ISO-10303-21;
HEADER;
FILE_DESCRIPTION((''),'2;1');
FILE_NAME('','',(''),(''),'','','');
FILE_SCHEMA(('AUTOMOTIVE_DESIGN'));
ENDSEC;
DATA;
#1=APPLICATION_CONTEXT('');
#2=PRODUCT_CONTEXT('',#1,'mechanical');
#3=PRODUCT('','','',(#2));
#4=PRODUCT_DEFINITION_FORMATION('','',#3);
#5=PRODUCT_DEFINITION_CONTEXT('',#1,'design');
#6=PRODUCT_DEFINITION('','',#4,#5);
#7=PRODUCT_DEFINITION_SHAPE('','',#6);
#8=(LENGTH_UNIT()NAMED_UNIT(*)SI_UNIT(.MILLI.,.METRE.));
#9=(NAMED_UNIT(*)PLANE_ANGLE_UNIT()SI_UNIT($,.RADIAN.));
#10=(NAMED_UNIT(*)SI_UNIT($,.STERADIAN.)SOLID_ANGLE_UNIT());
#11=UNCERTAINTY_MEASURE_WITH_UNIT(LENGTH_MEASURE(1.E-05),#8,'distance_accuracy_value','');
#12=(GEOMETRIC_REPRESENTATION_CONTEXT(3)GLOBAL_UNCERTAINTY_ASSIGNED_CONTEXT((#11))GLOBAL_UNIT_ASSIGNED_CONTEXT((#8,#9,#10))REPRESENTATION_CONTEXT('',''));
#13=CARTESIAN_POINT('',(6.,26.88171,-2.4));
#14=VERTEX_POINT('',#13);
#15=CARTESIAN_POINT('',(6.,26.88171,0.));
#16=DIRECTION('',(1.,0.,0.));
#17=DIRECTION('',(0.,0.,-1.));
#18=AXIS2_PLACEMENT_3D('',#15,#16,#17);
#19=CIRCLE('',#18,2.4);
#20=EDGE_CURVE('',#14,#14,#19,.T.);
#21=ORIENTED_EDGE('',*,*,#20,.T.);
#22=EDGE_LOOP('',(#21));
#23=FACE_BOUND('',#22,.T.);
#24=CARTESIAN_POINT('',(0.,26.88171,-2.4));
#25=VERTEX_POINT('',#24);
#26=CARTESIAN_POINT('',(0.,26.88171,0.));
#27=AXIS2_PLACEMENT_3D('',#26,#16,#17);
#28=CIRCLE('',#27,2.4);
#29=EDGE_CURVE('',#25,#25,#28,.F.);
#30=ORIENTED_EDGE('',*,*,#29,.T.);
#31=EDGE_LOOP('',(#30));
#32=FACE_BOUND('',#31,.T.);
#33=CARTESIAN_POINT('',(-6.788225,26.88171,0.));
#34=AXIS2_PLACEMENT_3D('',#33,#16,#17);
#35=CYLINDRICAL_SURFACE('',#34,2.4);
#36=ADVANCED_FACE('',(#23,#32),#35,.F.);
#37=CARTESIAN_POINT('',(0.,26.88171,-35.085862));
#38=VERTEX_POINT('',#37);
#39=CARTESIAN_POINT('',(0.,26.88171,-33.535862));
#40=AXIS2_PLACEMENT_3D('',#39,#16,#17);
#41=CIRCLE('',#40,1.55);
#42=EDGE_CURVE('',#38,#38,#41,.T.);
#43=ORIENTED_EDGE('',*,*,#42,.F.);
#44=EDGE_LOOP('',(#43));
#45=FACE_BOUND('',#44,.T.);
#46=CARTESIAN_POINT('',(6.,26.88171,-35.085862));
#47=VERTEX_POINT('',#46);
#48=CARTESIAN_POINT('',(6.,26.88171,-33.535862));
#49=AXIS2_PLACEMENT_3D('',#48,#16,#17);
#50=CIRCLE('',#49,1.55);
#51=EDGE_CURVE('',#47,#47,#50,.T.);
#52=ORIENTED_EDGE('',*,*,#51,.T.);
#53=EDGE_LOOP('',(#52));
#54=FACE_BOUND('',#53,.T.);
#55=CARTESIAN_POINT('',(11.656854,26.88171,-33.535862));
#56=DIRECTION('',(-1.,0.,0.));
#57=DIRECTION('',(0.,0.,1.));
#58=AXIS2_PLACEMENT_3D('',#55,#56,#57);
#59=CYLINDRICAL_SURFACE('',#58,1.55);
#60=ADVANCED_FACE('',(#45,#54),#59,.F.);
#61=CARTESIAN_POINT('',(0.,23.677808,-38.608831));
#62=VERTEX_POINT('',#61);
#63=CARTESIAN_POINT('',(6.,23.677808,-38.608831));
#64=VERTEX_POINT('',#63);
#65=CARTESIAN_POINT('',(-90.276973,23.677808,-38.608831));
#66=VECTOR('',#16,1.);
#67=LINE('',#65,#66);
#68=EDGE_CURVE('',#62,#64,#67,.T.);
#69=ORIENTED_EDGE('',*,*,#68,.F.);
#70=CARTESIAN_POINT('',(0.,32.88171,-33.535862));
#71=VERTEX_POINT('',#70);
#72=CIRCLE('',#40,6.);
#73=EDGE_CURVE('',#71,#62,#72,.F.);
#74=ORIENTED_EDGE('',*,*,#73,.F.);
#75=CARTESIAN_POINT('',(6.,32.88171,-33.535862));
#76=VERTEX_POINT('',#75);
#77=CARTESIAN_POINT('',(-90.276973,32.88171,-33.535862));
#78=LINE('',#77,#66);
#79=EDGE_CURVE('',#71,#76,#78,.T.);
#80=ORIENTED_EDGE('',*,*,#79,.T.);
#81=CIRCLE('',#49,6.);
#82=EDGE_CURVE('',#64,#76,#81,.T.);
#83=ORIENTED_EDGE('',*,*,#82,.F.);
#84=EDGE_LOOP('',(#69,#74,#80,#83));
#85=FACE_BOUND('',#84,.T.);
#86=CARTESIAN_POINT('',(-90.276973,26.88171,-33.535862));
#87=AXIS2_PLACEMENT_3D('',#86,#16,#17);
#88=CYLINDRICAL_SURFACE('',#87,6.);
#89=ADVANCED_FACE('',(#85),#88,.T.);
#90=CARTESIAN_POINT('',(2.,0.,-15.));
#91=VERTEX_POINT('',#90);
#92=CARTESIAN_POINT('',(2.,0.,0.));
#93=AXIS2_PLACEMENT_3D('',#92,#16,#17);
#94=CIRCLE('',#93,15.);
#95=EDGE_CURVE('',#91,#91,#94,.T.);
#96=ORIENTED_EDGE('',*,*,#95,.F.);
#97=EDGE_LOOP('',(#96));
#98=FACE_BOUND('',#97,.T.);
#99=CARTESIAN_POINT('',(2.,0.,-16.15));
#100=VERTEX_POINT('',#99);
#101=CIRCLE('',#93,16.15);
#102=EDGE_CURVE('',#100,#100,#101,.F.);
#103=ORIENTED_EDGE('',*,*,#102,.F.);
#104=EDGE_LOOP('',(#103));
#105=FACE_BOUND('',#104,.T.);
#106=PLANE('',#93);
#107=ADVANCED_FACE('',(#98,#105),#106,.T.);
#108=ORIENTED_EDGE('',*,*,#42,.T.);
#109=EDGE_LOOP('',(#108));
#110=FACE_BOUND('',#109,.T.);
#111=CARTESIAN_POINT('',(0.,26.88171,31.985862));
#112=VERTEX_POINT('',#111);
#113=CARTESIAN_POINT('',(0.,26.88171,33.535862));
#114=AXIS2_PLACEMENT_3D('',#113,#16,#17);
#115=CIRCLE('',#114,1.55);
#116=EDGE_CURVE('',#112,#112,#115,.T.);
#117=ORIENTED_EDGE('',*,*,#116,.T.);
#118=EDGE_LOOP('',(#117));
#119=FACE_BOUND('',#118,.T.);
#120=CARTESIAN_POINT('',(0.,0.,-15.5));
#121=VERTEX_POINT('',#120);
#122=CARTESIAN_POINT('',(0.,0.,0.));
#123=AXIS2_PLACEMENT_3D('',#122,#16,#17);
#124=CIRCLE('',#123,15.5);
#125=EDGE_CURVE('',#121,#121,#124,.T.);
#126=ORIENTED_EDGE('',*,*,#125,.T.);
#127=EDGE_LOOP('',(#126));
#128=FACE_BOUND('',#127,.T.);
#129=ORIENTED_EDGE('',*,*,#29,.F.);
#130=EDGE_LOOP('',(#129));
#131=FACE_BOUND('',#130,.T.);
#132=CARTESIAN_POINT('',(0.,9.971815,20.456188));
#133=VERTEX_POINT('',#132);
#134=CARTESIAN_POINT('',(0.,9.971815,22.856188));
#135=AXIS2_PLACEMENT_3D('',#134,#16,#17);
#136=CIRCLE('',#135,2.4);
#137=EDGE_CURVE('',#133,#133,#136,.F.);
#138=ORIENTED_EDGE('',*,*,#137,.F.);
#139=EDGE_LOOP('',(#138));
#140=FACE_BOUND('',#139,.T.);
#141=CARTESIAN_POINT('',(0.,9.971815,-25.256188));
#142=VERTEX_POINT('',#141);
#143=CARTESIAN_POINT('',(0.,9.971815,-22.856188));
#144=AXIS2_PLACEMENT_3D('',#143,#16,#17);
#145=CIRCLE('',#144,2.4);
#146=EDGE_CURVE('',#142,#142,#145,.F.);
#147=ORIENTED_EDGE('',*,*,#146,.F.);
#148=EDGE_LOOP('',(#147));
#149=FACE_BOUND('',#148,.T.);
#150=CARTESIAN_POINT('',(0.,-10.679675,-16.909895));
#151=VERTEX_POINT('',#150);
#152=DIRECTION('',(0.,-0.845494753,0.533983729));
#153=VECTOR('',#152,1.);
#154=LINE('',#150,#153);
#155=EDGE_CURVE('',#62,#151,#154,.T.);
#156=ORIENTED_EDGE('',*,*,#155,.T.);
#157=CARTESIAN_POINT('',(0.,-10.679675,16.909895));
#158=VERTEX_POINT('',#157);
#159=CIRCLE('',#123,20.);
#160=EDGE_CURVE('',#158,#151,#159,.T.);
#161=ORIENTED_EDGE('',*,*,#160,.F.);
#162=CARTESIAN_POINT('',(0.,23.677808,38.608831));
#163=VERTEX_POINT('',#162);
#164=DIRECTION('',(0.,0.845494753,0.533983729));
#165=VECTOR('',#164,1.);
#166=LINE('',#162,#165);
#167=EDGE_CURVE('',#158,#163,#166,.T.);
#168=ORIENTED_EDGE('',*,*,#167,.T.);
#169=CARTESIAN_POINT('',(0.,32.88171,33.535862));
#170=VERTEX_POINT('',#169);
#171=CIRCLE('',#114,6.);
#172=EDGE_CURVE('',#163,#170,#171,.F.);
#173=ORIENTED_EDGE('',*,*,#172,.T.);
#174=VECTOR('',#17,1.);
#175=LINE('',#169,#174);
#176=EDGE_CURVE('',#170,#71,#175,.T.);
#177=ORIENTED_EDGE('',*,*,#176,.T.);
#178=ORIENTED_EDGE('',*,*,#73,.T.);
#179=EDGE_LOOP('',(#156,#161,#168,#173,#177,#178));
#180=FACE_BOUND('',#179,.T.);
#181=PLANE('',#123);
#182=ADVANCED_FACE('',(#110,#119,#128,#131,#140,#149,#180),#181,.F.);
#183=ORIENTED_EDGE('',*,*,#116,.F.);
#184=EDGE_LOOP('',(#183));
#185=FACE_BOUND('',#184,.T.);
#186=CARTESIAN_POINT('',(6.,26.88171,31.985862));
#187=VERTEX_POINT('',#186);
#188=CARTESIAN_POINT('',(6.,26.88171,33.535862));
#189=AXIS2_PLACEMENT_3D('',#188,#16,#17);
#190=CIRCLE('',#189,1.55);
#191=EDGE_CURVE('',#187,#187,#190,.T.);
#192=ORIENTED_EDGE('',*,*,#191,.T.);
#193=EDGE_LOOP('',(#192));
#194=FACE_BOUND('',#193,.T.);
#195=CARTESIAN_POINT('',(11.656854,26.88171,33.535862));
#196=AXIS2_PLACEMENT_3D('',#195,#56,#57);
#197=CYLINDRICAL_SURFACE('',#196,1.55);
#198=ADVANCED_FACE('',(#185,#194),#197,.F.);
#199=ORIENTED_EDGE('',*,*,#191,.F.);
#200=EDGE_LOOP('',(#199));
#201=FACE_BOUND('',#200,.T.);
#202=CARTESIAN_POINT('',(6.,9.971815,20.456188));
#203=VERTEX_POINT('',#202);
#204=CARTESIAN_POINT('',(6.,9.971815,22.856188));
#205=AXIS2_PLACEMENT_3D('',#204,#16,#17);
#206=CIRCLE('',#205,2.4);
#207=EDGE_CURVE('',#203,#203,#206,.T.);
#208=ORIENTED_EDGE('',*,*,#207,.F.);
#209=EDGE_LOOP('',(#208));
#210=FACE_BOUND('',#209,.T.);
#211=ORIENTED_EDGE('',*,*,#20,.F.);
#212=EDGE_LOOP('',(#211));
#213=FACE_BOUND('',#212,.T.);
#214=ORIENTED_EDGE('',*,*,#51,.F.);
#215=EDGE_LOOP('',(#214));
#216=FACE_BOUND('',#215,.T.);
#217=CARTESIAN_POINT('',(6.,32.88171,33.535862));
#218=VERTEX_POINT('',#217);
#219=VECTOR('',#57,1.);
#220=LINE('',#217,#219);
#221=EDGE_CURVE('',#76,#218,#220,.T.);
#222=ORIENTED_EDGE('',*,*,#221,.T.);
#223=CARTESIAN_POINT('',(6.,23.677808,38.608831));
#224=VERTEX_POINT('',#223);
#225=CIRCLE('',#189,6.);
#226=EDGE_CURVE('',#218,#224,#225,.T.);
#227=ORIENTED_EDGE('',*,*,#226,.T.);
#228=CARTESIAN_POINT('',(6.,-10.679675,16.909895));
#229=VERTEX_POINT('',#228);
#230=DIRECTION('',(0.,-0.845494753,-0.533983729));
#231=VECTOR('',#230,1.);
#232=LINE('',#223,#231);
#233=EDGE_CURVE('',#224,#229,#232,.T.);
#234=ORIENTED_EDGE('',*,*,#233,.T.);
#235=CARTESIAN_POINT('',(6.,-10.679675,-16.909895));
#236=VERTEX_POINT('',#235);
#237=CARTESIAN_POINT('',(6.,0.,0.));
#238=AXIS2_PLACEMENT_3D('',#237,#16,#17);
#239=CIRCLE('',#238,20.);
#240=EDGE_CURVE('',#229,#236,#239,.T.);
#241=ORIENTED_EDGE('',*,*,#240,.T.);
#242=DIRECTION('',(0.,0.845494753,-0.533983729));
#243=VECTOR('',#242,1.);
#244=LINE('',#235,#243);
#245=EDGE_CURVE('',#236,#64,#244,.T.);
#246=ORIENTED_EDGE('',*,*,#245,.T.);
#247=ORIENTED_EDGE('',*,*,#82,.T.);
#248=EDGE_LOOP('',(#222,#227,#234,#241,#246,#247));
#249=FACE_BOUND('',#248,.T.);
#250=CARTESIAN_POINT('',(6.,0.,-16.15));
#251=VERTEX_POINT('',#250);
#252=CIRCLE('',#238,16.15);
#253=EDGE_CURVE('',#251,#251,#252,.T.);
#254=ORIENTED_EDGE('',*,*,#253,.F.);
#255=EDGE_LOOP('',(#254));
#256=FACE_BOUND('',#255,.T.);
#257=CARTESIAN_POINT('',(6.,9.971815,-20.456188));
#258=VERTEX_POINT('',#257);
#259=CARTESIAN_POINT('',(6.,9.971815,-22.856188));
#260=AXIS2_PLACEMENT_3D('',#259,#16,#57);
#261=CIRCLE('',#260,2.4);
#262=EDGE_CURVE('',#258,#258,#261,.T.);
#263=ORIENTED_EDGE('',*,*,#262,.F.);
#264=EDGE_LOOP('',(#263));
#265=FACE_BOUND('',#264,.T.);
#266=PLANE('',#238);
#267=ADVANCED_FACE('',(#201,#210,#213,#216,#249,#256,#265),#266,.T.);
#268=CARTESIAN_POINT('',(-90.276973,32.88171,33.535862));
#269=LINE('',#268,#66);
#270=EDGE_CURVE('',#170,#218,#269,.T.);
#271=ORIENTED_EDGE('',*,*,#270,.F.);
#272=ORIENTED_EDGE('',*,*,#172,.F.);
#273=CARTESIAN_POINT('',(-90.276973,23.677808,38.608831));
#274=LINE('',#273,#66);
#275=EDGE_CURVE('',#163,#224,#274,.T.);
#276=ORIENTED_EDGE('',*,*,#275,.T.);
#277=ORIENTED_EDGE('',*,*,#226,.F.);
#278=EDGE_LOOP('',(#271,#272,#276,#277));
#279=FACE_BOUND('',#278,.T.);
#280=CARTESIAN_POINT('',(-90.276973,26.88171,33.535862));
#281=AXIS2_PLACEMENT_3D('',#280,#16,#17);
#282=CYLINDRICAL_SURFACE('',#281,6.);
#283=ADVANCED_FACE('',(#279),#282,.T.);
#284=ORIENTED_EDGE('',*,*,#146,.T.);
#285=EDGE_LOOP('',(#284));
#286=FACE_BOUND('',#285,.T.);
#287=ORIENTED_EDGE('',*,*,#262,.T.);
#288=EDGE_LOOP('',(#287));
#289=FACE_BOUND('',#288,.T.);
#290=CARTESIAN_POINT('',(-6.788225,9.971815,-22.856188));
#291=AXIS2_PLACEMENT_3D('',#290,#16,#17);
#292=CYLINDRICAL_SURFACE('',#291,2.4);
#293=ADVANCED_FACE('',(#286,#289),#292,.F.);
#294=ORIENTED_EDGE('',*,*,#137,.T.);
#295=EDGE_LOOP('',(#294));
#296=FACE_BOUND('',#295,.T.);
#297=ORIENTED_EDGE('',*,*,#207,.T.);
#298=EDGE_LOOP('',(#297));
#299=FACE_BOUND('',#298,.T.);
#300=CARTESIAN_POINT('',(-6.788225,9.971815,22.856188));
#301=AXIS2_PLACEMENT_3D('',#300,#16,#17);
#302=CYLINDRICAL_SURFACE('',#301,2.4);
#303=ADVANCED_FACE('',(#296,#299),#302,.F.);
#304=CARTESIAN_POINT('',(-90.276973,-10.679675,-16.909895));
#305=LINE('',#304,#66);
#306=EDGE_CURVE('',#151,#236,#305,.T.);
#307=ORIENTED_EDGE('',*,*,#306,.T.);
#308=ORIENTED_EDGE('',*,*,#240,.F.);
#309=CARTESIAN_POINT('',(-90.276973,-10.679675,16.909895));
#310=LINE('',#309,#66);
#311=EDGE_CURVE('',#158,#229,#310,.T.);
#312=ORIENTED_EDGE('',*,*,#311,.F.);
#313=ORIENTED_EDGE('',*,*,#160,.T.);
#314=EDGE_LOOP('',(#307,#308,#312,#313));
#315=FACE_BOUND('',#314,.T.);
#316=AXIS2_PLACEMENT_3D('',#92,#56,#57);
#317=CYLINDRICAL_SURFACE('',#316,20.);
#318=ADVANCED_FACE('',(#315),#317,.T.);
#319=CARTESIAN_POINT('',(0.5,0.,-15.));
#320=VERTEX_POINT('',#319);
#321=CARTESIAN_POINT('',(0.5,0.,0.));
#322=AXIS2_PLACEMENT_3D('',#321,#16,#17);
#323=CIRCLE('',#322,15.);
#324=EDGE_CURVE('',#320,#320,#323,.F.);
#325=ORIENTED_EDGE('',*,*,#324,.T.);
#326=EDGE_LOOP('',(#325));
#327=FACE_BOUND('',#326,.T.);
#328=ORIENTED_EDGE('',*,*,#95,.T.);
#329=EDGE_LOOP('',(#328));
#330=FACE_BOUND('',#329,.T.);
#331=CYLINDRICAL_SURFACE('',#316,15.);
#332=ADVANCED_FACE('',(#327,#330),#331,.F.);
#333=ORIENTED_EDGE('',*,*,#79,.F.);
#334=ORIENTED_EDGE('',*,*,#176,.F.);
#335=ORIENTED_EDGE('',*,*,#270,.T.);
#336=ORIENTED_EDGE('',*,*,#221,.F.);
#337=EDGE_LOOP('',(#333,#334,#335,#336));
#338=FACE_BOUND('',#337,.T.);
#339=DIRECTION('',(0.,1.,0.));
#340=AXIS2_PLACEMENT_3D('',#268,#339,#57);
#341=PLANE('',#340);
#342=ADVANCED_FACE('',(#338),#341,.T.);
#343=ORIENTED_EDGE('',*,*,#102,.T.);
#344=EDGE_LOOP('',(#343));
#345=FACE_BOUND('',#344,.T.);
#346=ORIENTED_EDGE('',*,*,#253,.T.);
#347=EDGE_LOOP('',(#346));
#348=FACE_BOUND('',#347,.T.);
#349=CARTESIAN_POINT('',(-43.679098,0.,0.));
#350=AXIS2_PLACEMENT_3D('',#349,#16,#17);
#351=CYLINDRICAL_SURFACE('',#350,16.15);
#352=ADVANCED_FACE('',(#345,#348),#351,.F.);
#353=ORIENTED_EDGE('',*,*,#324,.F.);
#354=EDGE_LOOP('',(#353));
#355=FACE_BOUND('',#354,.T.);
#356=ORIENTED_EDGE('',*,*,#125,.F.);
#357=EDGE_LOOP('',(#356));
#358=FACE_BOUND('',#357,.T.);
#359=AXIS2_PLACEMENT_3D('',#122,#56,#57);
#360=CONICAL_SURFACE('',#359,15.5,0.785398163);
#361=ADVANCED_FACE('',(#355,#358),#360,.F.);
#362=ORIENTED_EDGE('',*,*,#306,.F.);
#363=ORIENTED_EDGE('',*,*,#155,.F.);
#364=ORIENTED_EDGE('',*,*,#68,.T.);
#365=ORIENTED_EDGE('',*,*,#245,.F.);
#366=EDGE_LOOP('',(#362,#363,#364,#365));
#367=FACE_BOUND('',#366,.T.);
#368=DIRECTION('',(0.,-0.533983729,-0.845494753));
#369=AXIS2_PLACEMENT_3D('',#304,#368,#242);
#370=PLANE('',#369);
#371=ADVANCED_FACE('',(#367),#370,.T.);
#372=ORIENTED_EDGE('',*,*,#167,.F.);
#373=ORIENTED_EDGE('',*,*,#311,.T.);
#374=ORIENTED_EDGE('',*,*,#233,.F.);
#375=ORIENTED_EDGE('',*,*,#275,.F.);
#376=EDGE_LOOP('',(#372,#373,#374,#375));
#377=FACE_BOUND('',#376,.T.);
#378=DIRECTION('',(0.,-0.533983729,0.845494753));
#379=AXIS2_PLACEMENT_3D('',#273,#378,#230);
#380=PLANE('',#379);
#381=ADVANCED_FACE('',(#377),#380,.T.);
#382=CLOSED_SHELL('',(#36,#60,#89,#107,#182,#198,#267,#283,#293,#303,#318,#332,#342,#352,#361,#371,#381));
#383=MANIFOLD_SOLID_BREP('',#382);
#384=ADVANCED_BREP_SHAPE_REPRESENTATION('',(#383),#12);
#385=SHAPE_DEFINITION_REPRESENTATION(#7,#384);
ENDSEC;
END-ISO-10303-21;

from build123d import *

# Parameters (mm, degrees)
SKETCH1_R           = 20
SKETCH1_R_2         = 15
BOSS_EXTRUDE1_DEPTH = 2
SKETCH2_R           = 20
SKETCH2_R_2         = 16
BOSS_EXTRUDE2_DEPTH = 4
SKETCH3_R           = 2
BOSS_EXTRUDE3_DEPTH = 6
SKETCH4_R           = 2.4
CUT_EXTRUDE1_DEPTH  = 6
SKETCH5_R           = 2
SKETCH5_R_2         = 1.55
BOSS_EXTRUDE4_DEPTH = 6
SKETCH6_R           = 16.15
SKETCH6_R_2         = 16
CUT_EXTRUDE2_DEPTH  = 4
CHAMFER1_SIZE       = 0.5


with BuildPart() as part:
    # Sketch1 → Boss-Extrude1 (new body)
    with BuildSketch(Plane(origin=(0, 0, 0), x_dir=(0, 0, -1), z_dir=(1, 0, 0))):
        Circle(SKETCH1_R)
        Circle(SKETCH1_R_2, mode=Mode.SUBTRACT)
    extrude(amount=BOSS_EXTRUDE1_DEPTH)

    # Sketch2 → Boss-Extrude2 (add)
    with BuildSketch(Plane(origin=(2, 0, 0), x_dir=(0, 0, -1), z_dir=(1, 0, 0))):
        Circle(SKETCH2_R)
        Circle(SKETCH2_R_2, mode=Mode.SUBTRACT)
    extrude(amount=BOSS_EXTRUDE2_DEPTH)

    # Sketch3 → Boss-Extrude3 (add)
    with BuildSketch(Plane(origin=(6, 0, 0), x_dir=(0, 0, -1), z_dir=(1, 0, 0))):
        with BuildLine():
            Line((-38.608830959, 23.677807584), (-16.909895057, -10.679674581))
            ThreePointArc((-16.909895057, -10.679674581), (0, 20), (16.909895057, -10.679674581))
            Line((16.909895057, -10.679674581), (38.608830959, 23.677807584))
            ThreePointArc((38.608830959, 23.677807584), (38.790546744, 29.777964933), (33.535862442, 32.881709959))
            Line((33.535862442, 32.881709959), (-33.535862442, 32.881709959))
            ThreePointArc((-33.535862442, 32.881709959), (-38.790546744, 29.777964933), (-38.608830959, 23.677807584))
        make_face()
        with Locations((-33.535862442, 26.881709959)):
            Circle(SKETCH3_R, mode=Mode.SUBTRACT)
        with Locations((33.535862442, 26.881709959)):
            Circle(SKETCH3_R, mode=Mode.SUBTRACT)
    extrude(amount=-BOSS_EXTRUDE3_DEPTH)

    # Sketch4 → Cut-Extrude1 (cut)
    with BuildSketch(Plane(origin=(6, 0, 0), x_dir=(0, 0, -1), z_dir=(1, 0, 0))):
        with Locations((-22.856187861, 9.971814902)):
            Circle(SKETCH4_R)
        with Locations((22.856187861, 9.971814902)):
            Circle(SKETCH4_R)
        with Locations((0, 26.881709959)):
            Circle(SKETCH4_R)
    extrude(amount=-CUT_EXTRUDE1_DEPTH, mode=Mode.SUBTRACT)

    # Sketch5 → Boss-Extrude4 (add)
    with BuildSketch(Plane(origin=(0, 0, 0), x_dir=(0, 0, -1), z_dir=(1, 0, 0))):
        with Locations((33.535862442, 26.881709959)):
            Circle(SKETCH5_R)
        with Locations((33.535862442, 26.881709959)):
            Circle(SKETCH5_R_2, mode=Mode.SUBTRACT)
        with Locations((-33.535862442, 26.881709959)):
            Circle(SKETCH5_R)
        with Locations((-33.535862442, 26.881709959)):
            Circle(SKETCH5_R_2, mode=Mode.SUBTRACT)
    extrude(amount=BOSS_EXTRUDE4_DEPTH)

    # Sketch6 → Cut-Extrude2 (cut)
    with BuildSketch(Plane(origin=(6, 0, 0), x_dir=(0, 0, -1), z_dir=(1, 0, 0))):
        Circle(SKETCH6_R)
        Circle(SKETCH6_R_2, mode=Mode.SUBTRACT)
    extrude(amount=-CUT_EXTRUDE2_DEPTH, mode=Mode.SUBTRACT)

    # Chamfer1
    chamfer1_edges = [part.edges().sort_by_distance(p)[0] for p in [
        (0, 0, 15),
    ]]
    chamfer(chamfer1_edges, length=CHAMFER1_SIZE)


solid = part.part
